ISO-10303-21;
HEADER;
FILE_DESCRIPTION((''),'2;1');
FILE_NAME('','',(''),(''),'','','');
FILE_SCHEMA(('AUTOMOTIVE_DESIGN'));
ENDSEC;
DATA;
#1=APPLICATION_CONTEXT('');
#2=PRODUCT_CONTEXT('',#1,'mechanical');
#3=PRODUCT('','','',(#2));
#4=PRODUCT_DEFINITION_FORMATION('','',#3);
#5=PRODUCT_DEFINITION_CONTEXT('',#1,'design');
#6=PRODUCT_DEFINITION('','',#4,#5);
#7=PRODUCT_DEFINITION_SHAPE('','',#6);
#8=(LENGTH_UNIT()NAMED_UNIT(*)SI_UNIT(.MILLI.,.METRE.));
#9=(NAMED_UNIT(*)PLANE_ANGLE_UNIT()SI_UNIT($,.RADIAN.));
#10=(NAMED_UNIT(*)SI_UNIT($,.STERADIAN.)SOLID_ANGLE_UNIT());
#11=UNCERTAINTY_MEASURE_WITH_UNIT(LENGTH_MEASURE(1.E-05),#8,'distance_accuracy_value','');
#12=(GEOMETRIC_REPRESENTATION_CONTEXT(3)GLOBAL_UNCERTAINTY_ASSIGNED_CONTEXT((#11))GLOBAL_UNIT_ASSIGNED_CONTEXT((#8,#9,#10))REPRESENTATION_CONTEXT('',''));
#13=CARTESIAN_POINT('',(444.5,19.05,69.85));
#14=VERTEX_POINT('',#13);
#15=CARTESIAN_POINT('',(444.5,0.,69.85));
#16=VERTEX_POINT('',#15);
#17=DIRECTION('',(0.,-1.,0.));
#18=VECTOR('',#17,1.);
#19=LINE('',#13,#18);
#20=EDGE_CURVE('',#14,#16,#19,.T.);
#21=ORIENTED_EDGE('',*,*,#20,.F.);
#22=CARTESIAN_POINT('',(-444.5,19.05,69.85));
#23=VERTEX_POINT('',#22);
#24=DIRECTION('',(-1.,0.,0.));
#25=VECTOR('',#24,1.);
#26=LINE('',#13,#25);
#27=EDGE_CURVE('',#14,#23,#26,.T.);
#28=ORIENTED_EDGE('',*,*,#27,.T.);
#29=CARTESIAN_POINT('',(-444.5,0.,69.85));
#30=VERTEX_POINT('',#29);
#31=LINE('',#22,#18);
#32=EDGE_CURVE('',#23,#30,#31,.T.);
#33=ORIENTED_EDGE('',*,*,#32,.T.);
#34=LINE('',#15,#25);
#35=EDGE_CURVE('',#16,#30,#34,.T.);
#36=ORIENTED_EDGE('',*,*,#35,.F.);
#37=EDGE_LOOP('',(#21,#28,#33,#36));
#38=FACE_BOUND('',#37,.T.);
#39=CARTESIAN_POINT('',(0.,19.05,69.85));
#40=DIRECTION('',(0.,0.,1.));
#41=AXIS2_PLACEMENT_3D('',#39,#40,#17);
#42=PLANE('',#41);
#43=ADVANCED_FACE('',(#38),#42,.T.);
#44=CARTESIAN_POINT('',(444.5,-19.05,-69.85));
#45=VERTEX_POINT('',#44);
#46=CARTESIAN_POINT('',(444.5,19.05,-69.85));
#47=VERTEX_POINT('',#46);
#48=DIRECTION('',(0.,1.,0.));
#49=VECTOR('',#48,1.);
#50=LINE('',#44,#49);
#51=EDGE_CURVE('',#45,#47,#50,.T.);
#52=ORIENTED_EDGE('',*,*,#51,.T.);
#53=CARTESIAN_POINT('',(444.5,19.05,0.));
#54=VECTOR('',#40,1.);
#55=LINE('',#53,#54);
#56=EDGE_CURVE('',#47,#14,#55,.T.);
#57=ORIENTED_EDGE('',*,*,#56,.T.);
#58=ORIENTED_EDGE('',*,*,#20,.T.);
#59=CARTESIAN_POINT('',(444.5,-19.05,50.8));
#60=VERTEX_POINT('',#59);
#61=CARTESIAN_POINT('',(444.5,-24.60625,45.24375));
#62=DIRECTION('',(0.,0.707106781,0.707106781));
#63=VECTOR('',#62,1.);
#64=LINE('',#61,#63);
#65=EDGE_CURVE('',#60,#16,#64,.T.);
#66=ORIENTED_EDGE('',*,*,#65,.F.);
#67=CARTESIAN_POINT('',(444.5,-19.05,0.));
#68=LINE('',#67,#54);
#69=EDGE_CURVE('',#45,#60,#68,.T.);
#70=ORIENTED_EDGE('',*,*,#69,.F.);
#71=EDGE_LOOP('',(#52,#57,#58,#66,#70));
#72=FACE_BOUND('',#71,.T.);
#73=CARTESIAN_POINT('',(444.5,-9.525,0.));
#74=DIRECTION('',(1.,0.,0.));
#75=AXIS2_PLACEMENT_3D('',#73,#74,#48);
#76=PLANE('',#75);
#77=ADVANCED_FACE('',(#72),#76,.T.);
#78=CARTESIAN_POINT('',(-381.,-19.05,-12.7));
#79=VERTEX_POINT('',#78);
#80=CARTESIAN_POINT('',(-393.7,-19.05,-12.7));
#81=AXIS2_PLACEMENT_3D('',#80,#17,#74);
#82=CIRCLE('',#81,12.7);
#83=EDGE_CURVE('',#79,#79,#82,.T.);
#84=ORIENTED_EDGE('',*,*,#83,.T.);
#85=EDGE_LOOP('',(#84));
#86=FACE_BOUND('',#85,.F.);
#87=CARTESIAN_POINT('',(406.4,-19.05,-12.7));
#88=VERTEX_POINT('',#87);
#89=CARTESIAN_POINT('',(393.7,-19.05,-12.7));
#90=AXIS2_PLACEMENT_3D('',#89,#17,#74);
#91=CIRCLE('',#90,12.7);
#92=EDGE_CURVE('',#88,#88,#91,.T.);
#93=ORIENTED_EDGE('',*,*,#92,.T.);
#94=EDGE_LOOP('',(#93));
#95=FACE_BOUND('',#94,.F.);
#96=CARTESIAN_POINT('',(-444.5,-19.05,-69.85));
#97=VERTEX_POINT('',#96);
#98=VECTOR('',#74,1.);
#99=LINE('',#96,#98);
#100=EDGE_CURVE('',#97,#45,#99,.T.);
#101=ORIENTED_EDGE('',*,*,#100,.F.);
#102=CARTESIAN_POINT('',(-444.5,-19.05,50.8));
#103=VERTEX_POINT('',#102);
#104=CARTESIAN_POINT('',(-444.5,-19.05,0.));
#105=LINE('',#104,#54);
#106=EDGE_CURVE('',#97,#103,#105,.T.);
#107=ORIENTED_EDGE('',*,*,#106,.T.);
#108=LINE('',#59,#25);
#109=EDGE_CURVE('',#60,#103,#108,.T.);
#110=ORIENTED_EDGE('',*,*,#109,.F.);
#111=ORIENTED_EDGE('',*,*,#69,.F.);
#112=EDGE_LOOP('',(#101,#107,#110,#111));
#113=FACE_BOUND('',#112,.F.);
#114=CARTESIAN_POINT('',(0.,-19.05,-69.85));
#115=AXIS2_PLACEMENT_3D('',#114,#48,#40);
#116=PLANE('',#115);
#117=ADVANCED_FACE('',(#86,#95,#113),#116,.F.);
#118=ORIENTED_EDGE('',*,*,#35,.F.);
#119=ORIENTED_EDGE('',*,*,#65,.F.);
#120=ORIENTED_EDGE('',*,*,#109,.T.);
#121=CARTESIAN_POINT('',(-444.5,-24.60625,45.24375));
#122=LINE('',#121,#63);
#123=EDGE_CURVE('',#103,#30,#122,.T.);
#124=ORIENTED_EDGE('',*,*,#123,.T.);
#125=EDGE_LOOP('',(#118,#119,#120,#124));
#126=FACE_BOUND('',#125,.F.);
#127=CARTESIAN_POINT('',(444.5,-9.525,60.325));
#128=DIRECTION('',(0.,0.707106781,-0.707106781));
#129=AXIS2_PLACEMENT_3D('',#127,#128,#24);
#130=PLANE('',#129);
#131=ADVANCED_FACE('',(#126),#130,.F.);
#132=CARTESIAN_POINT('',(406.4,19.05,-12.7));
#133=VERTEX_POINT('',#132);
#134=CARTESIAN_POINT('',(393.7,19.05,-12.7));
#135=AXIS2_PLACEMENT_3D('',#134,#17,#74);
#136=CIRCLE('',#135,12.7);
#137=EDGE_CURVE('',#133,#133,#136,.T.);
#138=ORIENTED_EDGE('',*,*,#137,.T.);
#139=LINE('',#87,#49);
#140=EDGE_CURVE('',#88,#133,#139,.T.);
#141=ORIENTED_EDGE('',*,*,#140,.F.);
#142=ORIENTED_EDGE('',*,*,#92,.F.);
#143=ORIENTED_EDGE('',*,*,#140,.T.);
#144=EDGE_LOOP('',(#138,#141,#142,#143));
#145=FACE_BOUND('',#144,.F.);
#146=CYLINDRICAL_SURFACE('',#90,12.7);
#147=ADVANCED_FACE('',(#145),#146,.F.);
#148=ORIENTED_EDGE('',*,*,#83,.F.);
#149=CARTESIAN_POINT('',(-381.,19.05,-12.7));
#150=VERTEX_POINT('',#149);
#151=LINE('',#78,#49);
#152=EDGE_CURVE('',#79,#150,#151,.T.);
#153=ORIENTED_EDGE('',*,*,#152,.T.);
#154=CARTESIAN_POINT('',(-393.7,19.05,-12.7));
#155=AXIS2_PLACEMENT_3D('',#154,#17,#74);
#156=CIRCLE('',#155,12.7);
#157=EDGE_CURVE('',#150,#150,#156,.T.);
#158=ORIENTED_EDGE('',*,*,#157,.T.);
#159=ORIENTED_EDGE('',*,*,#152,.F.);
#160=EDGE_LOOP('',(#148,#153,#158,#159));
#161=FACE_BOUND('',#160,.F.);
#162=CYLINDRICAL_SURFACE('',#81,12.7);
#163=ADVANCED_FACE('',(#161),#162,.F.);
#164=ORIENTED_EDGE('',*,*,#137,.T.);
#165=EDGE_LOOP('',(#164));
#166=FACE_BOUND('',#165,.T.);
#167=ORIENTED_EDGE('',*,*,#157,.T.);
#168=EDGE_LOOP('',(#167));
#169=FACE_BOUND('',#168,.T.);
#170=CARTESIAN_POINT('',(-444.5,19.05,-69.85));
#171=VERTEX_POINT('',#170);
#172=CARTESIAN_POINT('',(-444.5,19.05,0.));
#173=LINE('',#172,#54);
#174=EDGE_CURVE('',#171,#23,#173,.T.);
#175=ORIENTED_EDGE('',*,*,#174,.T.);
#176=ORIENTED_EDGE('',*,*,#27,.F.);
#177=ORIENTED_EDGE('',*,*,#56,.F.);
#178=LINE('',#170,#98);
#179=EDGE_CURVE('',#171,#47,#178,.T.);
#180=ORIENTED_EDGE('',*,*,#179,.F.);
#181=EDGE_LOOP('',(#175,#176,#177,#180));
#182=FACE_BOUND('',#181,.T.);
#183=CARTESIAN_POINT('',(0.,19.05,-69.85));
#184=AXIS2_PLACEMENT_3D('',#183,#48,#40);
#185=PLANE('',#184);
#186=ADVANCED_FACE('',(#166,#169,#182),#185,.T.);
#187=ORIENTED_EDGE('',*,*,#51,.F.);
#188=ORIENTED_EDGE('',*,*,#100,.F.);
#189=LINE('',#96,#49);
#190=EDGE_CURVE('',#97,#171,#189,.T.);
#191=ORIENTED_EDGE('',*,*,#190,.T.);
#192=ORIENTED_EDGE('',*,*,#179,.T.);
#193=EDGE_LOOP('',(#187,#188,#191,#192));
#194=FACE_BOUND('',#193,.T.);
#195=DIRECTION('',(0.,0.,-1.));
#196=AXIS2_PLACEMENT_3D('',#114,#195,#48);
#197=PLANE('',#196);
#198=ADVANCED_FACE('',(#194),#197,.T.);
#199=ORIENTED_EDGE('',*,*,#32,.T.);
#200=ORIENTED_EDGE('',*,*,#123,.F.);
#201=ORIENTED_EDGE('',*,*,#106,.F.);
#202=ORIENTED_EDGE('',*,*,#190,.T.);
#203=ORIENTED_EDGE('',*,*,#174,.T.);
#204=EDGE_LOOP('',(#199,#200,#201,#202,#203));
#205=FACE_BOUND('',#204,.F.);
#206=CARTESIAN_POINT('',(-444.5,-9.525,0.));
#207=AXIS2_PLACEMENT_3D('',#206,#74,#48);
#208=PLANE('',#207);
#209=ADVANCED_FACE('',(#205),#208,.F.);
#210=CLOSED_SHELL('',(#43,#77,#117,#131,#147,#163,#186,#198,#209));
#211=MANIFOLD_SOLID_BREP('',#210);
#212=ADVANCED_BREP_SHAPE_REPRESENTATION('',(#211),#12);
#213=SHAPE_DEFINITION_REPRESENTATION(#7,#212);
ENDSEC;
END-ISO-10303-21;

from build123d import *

# Parameters (mm, degrees)
F0_W     = 19.05
F0_H     = 139.7
F1_DEPTH = 444.5
F2_SIZE  = 19.05
F3_R     = 12.7
F4_DEPTH = 38.101


with BuildPart() as f1:
    # F0 (on Right) → F1 (new body, symmetric)
    with BuildSketch(Plane.YZ):
        with Locations((-9.525, 0)):
            Rectangle(F0_W, F0_H)
        with Locations((9.525, 0)):
            Rectangle(F0_W, F0_H)
    extrude(amount=F1_DEPTH, both=True)

    # F2
    f2_edges = [f1.edges().sort_by_distance(p)[0] for p in [
        (0, -19.05, 69.85),
    ]]
    chamfer(f2_edges, length=F2_SIZE)

    # F3 (on face) → F4 (cut, through all)
    with BuildSketch(Plane.XZ.offset(19.05)):
        with Locations((-393.7, -12.7)):
            Circle(F3_R)
        with Locations((393.7, -12.7)):
            Circle(F3_R)
    extrude(amount=-F4_DEPTH, mode=Mode.SUBTRACT)


solid = f1.part
